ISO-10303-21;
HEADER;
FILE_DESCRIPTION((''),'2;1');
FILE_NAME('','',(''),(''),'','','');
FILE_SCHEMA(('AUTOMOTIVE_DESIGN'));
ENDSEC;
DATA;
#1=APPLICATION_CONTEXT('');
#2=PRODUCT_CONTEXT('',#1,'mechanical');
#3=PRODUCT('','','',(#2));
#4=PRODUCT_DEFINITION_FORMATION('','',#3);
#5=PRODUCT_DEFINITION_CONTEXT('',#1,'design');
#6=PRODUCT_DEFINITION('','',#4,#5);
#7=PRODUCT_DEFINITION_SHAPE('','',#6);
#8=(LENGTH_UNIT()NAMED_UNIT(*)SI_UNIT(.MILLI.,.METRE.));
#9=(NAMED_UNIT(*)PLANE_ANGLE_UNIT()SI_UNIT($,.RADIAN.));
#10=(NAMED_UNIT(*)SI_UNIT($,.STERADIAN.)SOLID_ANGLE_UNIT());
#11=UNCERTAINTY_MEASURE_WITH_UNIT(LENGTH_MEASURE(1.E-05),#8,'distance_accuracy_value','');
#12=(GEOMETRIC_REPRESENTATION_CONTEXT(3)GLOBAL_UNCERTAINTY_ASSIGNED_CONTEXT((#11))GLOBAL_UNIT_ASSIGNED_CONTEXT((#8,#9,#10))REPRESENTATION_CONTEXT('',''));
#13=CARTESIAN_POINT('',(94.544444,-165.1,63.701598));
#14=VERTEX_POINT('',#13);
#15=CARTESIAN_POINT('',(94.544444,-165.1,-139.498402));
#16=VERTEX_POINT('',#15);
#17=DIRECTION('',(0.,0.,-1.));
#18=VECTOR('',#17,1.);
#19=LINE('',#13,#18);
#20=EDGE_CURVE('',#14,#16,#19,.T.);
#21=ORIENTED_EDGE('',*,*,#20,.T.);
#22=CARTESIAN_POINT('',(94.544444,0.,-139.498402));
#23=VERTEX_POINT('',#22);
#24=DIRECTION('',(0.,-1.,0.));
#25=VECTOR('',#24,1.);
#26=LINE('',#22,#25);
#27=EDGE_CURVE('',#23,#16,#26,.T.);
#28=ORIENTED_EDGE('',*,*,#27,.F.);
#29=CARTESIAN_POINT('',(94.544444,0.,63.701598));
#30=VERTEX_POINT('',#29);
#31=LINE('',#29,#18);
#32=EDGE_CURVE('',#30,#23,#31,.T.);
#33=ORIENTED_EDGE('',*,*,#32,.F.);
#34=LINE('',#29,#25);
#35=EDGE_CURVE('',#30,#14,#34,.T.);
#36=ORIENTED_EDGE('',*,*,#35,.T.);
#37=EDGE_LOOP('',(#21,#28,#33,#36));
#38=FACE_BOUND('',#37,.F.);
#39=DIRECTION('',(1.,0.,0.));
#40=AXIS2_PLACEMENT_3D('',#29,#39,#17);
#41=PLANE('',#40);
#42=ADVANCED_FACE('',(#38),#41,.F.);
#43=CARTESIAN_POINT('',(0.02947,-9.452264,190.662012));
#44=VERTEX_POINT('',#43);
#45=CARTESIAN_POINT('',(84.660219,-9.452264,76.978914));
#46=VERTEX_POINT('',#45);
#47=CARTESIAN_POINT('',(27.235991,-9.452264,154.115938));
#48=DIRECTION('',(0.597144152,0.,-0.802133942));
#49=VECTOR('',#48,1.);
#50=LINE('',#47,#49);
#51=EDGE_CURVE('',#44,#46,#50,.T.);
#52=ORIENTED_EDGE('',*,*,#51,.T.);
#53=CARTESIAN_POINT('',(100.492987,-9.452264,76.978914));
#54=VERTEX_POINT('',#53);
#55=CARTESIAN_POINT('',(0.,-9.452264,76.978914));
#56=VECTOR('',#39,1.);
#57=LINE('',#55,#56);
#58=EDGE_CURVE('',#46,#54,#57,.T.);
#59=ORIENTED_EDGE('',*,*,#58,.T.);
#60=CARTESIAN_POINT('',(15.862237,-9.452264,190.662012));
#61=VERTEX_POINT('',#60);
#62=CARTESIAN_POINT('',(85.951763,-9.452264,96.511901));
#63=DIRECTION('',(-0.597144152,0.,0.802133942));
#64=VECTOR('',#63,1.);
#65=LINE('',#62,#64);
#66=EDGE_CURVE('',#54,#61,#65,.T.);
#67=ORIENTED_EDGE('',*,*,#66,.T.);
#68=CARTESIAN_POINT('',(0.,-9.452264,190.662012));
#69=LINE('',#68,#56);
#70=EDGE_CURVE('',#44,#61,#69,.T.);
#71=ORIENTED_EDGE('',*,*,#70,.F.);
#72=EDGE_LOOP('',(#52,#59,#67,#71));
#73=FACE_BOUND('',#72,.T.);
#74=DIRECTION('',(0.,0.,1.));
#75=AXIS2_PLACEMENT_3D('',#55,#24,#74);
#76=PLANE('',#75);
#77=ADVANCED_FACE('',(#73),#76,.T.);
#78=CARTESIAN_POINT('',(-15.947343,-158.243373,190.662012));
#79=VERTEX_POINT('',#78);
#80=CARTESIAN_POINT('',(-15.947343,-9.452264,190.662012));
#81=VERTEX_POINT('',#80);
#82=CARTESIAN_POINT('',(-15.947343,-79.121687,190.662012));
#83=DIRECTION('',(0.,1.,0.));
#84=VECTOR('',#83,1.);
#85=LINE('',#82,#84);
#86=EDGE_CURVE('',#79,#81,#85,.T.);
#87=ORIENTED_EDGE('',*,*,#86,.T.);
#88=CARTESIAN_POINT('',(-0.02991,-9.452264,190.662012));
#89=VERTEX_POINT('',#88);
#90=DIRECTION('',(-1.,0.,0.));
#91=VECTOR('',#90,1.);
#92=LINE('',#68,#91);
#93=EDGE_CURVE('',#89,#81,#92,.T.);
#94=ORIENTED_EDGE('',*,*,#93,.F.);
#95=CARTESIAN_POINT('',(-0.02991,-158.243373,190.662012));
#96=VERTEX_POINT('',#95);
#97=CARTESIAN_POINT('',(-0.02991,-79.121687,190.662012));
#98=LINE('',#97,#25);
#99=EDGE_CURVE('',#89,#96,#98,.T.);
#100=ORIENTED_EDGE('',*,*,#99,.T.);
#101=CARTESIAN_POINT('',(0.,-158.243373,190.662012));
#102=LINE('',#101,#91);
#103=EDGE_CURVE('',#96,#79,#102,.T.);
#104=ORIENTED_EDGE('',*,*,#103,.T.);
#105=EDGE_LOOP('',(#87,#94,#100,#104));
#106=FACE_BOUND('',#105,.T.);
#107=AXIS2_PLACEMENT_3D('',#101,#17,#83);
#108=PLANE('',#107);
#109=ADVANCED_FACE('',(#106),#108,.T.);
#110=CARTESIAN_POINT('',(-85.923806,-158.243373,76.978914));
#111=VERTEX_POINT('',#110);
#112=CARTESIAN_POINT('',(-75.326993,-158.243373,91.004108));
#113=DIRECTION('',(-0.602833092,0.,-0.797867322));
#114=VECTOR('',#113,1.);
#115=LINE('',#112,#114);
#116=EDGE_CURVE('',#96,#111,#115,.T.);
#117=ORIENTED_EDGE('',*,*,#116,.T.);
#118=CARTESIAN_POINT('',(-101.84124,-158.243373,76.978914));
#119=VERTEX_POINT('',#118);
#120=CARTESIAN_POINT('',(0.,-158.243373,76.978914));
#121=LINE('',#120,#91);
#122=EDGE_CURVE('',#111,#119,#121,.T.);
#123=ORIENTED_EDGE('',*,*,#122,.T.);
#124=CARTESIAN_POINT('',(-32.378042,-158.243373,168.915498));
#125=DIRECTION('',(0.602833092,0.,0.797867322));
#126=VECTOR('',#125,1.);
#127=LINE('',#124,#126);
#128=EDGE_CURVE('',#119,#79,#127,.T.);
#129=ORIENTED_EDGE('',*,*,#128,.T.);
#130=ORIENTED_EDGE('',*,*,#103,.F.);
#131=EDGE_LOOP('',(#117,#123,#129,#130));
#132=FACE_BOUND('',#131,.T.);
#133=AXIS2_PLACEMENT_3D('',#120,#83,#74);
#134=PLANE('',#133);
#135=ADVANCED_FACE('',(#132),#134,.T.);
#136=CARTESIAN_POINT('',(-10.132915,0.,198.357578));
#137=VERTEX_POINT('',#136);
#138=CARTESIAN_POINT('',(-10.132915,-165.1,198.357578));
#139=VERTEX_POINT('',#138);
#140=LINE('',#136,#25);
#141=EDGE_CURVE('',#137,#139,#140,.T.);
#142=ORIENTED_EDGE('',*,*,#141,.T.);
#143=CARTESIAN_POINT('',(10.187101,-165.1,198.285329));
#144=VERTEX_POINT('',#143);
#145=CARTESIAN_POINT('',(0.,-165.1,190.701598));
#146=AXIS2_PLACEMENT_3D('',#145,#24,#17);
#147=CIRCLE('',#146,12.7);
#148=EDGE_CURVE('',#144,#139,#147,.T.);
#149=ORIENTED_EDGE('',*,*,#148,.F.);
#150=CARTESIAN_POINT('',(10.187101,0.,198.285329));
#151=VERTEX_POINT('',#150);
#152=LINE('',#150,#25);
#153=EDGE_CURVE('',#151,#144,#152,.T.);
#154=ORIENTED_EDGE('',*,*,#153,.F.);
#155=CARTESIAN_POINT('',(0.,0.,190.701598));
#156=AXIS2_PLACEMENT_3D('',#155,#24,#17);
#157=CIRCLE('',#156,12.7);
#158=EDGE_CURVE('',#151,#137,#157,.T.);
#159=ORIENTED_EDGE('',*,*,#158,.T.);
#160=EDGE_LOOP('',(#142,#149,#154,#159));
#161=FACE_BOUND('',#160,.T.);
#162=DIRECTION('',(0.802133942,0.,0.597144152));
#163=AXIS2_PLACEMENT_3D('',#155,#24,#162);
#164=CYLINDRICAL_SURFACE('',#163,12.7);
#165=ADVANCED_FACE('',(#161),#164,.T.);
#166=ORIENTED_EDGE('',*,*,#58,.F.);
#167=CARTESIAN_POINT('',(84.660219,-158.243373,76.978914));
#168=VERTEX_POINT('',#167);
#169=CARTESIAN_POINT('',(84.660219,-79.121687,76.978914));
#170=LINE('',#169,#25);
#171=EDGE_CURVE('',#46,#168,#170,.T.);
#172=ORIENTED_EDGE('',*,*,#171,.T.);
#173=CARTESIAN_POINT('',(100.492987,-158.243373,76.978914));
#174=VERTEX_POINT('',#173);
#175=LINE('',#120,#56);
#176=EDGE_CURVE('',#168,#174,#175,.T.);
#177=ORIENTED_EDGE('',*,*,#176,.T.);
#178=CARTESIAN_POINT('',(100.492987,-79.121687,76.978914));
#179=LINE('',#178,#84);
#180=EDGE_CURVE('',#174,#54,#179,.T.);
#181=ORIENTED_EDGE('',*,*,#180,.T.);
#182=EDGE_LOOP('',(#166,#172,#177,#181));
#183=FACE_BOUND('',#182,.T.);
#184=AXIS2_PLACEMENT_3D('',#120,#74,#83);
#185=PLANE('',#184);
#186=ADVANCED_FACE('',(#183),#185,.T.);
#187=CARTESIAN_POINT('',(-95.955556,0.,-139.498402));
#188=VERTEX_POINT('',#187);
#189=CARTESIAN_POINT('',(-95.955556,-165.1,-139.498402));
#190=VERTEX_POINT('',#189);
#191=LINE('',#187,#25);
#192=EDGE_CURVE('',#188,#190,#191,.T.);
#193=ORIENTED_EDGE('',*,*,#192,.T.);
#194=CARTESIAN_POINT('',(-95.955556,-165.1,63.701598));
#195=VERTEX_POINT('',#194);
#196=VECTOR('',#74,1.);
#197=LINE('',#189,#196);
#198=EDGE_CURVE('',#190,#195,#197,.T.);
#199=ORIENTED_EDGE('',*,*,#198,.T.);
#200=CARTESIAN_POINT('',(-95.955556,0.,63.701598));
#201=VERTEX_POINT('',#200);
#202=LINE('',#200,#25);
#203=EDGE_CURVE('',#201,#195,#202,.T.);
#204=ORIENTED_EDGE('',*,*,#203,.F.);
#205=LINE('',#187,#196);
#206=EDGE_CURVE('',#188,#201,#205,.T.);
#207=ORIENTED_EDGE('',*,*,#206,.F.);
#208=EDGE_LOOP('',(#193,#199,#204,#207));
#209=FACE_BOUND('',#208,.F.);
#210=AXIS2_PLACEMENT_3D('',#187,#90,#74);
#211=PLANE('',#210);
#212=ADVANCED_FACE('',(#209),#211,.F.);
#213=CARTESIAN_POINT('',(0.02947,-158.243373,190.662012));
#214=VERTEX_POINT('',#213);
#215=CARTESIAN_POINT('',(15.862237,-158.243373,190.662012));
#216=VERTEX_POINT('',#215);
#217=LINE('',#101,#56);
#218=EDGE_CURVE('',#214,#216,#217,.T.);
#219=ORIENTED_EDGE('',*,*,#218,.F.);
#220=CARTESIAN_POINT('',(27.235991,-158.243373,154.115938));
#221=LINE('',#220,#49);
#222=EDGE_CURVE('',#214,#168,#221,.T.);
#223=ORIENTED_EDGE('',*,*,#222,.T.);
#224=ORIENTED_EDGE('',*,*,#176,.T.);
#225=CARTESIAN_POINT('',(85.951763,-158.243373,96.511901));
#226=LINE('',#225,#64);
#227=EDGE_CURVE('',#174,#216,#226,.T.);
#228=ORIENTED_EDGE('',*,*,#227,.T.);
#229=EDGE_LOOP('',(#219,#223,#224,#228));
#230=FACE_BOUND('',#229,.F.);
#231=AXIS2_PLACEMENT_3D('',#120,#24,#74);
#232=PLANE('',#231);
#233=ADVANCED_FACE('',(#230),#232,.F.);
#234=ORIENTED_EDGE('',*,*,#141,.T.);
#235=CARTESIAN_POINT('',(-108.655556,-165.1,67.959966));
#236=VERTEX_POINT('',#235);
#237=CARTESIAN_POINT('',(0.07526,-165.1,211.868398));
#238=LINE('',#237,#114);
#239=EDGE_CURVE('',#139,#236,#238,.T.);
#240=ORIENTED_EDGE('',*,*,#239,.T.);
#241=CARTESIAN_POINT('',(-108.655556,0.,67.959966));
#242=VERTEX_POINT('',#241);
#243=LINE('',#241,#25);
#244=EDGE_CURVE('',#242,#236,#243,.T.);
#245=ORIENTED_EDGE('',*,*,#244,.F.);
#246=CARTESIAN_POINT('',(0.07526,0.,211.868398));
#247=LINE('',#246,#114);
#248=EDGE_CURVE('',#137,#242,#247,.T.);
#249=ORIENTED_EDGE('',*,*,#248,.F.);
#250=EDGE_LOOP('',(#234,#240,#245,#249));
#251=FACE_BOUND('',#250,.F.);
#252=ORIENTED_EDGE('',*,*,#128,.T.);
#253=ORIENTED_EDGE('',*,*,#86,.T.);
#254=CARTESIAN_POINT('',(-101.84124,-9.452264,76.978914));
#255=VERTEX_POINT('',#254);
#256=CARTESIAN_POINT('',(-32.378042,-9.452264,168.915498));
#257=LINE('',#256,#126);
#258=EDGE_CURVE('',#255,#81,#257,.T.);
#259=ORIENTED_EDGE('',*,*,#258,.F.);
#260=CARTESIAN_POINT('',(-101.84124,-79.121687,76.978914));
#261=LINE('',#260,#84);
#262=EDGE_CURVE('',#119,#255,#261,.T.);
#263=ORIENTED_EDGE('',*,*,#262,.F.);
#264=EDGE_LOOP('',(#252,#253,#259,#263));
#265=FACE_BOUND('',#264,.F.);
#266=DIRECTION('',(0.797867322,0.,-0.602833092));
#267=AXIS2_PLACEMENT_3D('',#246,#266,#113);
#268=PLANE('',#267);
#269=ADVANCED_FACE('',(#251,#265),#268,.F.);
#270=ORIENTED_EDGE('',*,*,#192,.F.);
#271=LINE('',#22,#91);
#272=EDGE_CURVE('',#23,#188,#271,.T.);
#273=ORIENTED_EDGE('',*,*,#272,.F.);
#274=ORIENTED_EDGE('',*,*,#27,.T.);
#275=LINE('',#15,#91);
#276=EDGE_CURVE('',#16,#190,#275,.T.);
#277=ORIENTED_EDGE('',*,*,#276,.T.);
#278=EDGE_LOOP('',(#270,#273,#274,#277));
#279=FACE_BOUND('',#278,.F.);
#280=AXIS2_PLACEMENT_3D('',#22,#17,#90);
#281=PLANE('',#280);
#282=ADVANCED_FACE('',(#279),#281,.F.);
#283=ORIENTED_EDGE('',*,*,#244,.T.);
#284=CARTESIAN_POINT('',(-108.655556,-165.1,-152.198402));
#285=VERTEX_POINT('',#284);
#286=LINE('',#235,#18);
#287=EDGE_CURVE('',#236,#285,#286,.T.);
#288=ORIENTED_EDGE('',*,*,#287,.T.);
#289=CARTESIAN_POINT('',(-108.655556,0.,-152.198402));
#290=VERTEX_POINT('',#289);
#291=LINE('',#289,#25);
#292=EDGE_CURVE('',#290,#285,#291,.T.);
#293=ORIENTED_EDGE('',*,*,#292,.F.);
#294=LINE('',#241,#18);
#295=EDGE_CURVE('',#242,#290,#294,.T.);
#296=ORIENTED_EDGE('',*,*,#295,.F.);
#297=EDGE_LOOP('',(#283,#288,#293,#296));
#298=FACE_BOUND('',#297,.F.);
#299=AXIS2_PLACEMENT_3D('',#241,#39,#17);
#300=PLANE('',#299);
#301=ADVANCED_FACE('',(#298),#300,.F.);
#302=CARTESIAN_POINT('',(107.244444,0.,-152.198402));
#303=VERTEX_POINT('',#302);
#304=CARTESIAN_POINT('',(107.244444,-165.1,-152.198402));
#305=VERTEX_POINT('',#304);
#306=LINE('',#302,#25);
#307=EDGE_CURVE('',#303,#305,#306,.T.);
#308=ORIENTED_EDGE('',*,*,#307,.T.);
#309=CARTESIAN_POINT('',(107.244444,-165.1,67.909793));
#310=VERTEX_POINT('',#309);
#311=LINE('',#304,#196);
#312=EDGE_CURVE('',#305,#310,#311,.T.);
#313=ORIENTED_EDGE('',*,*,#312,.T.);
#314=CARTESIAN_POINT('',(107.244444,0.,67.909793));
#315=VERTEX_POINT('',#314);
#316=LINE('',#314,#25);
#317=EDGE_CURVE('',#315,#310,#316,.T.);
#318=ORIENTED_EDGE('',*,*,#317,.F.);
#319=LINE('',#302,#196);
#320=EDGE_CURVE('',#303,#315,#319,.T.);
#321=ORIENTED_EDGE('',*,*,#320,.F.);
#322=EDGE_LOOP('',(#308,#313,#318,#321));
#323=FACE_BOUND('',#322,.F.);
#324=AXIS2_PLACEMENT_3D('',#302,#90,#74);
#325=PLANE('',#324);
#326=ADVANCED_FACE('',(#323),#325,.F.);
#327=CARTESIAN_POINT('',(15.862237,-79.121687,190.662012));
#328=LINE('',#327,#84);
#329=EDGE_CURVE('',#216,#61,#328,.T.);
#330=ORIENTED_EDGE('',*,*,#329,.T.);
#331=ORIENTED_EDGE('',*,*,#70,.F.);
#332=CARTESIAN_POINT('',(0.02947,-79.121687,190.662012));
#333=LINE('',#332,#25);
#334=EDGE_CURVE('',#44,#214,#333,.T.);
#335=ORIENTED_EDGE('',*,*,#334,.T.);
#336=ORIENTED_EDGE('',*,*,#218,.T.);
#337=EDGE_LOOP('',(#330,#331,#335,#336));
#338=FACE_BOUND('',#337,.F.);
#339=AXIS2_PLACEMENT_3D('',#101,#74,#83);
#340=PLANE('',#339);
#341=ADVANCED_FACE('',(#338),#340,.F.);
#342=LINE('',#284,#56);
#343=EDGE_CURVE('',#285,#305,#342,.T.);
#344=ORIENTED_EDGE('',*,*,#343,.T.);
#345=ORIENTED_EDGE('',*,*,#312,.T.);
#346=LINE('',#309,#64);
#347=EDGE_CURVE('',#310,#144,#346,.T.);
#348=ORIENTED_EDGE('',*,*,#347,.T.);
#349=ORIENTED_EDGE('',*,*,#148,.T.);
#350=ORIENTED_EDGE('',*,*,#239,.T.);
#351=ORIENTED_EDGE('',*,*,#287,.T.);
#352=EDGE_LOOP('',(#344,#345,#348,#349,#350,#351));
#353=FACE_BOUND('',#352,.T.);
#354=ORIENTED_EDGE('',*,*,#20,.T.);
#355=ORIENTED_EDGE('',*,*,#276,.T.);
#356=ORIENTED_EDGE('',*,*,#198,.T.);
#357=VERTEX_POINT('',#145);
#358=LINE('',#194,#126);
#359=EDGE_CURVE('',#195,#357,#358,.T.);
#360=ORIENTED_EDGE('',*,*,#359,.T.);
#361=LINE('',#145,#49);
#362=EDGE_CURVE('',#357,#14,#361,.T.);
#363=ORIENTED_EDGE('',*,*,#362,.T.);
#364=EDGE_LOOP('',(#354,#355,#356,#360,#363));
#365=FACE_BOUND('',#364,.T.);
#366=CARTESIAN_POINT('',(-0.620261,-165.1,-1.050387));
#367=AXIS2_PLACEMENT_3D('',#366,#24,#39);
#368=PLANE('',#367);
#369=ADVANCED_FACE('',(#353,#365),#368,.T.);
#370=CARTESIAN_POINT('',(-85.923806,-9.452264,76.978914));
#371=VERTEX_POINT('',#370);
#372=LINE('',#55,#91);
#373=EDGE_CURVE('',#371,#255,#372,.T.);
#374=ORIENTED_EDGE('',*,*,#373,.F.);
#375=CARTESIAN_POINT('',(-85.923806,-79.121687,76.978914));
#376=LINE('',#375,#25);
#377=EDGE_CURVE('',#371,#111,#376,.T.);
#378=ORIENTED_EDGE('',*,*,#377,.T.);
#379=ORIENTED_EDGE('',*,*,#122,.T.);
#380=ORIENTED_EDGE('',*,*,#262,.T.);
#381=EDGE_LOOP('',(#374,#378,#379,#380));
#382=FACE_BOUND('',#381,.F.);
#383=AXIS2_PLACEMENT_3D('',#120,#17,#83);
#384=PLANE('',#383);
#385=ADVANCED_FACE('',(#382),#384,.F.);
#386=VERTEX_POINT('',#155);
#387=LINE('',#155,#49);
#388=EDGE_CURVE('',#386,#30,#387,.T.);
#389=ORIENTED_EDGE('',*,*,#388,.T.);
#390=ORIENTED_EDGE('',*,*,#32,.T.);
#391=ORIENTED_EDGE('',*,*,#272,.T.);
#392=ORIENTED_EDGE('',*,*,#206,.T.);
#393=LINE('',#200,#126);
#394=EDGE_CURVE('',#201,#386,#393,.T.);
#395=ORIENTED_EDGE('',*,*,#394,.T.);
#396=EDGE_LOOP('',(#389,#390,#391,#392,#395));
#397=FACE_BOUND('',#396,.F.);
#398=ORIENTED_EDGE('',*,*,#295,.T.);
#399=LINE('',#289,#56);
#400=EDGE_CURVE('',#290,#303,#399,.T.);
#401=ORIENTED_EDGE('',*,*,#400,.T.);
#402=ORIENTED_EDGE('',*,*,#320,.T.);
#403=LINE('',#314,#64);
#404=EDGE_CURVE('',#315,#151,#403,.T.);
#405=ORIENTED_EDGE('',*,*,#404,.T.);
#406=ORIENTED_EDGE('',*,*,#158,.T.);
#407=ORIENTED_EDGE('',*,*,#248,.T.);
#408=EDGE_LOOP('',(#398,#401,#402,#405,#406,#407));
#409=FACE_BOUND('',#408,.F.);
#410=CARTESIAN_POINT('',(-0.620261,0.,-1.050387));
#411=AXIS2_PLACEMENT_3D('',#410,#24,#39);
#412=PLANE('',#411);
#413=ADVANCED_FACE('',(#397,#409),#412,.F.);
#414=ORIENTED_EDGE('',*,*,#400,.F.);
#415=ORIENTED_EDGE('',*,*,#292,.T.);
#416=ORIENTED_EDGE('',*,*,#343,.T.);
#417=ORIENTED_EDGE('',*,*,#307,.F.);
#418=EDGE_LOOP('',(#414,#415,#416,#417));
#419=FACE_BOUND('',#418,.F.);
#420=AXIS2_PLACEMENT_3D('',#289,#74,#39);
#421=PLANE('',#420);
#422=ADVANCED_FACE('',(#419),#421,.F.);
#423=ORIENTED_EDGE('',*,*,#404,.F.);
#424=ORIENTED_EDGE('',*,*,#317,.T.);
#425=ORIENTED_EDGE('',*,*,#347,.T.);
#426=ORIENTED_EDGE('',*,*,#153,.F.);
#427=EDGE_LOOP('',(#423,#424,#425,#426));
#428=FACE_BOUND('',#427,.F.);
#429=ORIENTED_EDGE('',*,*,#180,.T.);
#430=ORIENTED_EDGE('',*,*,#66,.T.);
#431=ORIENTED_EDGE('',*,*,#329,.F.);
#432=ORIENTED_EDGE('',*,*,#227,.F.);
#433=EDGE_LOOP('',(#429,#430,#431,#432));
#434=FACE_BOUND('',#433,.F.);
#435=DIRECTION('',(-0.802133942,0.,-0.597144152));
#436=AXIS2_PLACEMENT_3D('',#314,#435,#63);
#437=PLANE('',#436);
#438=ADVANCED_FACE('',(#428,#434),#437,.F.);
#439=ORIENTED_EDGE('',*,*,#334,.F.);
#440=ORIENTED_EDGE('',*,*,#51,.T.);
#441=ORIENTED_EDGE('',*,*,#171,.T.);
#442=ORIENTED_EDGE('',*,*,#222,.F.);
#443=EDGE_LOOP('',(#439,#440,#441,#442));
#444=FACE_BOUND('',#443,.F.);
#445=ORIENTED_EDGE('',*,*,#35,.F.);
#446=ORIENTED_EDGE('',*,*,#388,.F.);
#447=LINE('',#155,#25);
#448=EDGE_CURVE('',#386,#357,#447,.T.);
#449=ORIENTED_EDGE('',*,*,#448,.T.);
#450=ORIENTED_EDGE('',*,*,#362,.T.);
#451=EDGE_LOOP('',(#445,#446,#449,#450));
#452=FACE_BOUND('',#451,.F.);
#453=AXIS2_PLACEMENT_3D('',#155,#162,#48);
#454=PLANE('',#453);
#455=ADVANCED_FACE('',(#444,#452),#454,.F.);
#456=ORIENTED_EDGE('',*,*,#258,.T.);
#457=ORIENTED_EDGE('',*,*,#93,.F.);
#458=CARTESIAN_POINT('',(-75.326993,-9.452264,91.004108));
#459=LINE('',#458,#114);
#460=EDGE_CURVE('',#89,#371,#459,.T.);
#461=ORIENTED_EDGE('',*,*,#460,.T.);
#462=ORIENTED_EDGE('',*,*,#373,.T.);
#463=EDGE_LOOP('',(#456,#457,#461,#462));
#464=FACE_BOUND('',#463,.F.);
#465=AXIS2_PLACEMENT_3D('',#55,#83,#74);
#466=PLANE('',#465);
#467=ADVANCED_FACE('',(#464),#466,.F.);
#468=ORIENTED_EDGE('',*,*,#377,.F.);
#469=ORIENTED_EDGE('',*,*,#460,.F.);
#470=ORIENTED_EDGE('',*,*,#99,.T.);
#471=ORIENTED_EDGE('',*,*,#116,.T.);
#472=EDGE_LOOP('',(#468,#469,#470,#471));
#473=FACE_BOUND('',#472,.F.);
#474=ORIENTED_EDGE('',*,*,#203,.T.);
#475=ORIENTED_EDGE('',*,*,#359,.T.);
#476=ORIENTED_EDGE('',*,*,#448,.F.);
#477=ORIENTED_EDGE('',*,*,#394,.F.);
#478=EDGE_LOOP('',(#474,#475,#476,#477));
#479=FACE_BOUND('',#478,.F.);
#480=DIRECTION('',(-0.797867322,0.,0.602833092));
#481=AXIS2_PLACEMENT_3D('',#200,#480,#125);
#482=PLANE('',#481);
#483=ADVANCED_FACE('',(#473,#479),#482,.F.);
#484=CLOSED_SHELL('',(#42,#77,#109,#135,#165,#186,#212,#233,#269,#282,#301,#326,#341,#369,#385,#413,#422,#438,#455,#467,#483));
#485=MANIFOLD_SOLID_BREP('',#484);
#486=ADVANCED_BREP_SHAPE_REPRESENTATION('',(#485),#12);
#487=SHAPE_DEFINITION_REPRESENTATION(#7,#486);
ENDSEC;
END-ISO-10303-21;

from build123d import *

# Parameters (mm, degrees)
F1_DEPTH      = 165.1
F2_R          = 12.7
F3_W          = 148.7911092117
F3_H          = 113.6830970645
F4_DEPTH      = 168.43995
F4_DEPTH_BACK = 150.70774


with BuildPart() as f1:
    # F0 (on Front) → F1 (new body)
    with BuildSketch(Plane.XZ):
        Polygon((107.244443667, 67.909792846), (0.0752603531, 211.8683984813), (-108.655556333, 67.959965798), (-108.655556333, -152.1984019804), (107.244443667, -152.1984019804), align=None)
        Polygon((94.544443667, -139.4984019804), (-95.955556333, -139.4984019804), (-95.955556333, 63.7015980196), (0, 190.7015980196), (94.544443667, 63.7015980196), align=None, mode=Mode.SUBTRACT)
    extrude(amount=F1_DEPTH)

    # F2
    f2_edges = [f1.edges().sort_by_distance(p)[0] for p in [
        (0.07526, -82.55, 211.868398),
    ]]
    fillet(f2_edges, radius=F2_R)

    # F3 (on Right) → F4 (cut, two sides)
    with BuildSketch(Plane.YZ) as f4_sk:
        with Locations((-83.8478184305, 133.8204629719)):
            Rectangle(F3_W, F3_H)
    extrude(amount=-F4_DEPTH, mode=Mode.SUBTRACT)
    extrude(f4_sk.sketch, amount=F4_DEPTH_BACK, mode=Mode.SUBTRACT)


solid = f1.part
